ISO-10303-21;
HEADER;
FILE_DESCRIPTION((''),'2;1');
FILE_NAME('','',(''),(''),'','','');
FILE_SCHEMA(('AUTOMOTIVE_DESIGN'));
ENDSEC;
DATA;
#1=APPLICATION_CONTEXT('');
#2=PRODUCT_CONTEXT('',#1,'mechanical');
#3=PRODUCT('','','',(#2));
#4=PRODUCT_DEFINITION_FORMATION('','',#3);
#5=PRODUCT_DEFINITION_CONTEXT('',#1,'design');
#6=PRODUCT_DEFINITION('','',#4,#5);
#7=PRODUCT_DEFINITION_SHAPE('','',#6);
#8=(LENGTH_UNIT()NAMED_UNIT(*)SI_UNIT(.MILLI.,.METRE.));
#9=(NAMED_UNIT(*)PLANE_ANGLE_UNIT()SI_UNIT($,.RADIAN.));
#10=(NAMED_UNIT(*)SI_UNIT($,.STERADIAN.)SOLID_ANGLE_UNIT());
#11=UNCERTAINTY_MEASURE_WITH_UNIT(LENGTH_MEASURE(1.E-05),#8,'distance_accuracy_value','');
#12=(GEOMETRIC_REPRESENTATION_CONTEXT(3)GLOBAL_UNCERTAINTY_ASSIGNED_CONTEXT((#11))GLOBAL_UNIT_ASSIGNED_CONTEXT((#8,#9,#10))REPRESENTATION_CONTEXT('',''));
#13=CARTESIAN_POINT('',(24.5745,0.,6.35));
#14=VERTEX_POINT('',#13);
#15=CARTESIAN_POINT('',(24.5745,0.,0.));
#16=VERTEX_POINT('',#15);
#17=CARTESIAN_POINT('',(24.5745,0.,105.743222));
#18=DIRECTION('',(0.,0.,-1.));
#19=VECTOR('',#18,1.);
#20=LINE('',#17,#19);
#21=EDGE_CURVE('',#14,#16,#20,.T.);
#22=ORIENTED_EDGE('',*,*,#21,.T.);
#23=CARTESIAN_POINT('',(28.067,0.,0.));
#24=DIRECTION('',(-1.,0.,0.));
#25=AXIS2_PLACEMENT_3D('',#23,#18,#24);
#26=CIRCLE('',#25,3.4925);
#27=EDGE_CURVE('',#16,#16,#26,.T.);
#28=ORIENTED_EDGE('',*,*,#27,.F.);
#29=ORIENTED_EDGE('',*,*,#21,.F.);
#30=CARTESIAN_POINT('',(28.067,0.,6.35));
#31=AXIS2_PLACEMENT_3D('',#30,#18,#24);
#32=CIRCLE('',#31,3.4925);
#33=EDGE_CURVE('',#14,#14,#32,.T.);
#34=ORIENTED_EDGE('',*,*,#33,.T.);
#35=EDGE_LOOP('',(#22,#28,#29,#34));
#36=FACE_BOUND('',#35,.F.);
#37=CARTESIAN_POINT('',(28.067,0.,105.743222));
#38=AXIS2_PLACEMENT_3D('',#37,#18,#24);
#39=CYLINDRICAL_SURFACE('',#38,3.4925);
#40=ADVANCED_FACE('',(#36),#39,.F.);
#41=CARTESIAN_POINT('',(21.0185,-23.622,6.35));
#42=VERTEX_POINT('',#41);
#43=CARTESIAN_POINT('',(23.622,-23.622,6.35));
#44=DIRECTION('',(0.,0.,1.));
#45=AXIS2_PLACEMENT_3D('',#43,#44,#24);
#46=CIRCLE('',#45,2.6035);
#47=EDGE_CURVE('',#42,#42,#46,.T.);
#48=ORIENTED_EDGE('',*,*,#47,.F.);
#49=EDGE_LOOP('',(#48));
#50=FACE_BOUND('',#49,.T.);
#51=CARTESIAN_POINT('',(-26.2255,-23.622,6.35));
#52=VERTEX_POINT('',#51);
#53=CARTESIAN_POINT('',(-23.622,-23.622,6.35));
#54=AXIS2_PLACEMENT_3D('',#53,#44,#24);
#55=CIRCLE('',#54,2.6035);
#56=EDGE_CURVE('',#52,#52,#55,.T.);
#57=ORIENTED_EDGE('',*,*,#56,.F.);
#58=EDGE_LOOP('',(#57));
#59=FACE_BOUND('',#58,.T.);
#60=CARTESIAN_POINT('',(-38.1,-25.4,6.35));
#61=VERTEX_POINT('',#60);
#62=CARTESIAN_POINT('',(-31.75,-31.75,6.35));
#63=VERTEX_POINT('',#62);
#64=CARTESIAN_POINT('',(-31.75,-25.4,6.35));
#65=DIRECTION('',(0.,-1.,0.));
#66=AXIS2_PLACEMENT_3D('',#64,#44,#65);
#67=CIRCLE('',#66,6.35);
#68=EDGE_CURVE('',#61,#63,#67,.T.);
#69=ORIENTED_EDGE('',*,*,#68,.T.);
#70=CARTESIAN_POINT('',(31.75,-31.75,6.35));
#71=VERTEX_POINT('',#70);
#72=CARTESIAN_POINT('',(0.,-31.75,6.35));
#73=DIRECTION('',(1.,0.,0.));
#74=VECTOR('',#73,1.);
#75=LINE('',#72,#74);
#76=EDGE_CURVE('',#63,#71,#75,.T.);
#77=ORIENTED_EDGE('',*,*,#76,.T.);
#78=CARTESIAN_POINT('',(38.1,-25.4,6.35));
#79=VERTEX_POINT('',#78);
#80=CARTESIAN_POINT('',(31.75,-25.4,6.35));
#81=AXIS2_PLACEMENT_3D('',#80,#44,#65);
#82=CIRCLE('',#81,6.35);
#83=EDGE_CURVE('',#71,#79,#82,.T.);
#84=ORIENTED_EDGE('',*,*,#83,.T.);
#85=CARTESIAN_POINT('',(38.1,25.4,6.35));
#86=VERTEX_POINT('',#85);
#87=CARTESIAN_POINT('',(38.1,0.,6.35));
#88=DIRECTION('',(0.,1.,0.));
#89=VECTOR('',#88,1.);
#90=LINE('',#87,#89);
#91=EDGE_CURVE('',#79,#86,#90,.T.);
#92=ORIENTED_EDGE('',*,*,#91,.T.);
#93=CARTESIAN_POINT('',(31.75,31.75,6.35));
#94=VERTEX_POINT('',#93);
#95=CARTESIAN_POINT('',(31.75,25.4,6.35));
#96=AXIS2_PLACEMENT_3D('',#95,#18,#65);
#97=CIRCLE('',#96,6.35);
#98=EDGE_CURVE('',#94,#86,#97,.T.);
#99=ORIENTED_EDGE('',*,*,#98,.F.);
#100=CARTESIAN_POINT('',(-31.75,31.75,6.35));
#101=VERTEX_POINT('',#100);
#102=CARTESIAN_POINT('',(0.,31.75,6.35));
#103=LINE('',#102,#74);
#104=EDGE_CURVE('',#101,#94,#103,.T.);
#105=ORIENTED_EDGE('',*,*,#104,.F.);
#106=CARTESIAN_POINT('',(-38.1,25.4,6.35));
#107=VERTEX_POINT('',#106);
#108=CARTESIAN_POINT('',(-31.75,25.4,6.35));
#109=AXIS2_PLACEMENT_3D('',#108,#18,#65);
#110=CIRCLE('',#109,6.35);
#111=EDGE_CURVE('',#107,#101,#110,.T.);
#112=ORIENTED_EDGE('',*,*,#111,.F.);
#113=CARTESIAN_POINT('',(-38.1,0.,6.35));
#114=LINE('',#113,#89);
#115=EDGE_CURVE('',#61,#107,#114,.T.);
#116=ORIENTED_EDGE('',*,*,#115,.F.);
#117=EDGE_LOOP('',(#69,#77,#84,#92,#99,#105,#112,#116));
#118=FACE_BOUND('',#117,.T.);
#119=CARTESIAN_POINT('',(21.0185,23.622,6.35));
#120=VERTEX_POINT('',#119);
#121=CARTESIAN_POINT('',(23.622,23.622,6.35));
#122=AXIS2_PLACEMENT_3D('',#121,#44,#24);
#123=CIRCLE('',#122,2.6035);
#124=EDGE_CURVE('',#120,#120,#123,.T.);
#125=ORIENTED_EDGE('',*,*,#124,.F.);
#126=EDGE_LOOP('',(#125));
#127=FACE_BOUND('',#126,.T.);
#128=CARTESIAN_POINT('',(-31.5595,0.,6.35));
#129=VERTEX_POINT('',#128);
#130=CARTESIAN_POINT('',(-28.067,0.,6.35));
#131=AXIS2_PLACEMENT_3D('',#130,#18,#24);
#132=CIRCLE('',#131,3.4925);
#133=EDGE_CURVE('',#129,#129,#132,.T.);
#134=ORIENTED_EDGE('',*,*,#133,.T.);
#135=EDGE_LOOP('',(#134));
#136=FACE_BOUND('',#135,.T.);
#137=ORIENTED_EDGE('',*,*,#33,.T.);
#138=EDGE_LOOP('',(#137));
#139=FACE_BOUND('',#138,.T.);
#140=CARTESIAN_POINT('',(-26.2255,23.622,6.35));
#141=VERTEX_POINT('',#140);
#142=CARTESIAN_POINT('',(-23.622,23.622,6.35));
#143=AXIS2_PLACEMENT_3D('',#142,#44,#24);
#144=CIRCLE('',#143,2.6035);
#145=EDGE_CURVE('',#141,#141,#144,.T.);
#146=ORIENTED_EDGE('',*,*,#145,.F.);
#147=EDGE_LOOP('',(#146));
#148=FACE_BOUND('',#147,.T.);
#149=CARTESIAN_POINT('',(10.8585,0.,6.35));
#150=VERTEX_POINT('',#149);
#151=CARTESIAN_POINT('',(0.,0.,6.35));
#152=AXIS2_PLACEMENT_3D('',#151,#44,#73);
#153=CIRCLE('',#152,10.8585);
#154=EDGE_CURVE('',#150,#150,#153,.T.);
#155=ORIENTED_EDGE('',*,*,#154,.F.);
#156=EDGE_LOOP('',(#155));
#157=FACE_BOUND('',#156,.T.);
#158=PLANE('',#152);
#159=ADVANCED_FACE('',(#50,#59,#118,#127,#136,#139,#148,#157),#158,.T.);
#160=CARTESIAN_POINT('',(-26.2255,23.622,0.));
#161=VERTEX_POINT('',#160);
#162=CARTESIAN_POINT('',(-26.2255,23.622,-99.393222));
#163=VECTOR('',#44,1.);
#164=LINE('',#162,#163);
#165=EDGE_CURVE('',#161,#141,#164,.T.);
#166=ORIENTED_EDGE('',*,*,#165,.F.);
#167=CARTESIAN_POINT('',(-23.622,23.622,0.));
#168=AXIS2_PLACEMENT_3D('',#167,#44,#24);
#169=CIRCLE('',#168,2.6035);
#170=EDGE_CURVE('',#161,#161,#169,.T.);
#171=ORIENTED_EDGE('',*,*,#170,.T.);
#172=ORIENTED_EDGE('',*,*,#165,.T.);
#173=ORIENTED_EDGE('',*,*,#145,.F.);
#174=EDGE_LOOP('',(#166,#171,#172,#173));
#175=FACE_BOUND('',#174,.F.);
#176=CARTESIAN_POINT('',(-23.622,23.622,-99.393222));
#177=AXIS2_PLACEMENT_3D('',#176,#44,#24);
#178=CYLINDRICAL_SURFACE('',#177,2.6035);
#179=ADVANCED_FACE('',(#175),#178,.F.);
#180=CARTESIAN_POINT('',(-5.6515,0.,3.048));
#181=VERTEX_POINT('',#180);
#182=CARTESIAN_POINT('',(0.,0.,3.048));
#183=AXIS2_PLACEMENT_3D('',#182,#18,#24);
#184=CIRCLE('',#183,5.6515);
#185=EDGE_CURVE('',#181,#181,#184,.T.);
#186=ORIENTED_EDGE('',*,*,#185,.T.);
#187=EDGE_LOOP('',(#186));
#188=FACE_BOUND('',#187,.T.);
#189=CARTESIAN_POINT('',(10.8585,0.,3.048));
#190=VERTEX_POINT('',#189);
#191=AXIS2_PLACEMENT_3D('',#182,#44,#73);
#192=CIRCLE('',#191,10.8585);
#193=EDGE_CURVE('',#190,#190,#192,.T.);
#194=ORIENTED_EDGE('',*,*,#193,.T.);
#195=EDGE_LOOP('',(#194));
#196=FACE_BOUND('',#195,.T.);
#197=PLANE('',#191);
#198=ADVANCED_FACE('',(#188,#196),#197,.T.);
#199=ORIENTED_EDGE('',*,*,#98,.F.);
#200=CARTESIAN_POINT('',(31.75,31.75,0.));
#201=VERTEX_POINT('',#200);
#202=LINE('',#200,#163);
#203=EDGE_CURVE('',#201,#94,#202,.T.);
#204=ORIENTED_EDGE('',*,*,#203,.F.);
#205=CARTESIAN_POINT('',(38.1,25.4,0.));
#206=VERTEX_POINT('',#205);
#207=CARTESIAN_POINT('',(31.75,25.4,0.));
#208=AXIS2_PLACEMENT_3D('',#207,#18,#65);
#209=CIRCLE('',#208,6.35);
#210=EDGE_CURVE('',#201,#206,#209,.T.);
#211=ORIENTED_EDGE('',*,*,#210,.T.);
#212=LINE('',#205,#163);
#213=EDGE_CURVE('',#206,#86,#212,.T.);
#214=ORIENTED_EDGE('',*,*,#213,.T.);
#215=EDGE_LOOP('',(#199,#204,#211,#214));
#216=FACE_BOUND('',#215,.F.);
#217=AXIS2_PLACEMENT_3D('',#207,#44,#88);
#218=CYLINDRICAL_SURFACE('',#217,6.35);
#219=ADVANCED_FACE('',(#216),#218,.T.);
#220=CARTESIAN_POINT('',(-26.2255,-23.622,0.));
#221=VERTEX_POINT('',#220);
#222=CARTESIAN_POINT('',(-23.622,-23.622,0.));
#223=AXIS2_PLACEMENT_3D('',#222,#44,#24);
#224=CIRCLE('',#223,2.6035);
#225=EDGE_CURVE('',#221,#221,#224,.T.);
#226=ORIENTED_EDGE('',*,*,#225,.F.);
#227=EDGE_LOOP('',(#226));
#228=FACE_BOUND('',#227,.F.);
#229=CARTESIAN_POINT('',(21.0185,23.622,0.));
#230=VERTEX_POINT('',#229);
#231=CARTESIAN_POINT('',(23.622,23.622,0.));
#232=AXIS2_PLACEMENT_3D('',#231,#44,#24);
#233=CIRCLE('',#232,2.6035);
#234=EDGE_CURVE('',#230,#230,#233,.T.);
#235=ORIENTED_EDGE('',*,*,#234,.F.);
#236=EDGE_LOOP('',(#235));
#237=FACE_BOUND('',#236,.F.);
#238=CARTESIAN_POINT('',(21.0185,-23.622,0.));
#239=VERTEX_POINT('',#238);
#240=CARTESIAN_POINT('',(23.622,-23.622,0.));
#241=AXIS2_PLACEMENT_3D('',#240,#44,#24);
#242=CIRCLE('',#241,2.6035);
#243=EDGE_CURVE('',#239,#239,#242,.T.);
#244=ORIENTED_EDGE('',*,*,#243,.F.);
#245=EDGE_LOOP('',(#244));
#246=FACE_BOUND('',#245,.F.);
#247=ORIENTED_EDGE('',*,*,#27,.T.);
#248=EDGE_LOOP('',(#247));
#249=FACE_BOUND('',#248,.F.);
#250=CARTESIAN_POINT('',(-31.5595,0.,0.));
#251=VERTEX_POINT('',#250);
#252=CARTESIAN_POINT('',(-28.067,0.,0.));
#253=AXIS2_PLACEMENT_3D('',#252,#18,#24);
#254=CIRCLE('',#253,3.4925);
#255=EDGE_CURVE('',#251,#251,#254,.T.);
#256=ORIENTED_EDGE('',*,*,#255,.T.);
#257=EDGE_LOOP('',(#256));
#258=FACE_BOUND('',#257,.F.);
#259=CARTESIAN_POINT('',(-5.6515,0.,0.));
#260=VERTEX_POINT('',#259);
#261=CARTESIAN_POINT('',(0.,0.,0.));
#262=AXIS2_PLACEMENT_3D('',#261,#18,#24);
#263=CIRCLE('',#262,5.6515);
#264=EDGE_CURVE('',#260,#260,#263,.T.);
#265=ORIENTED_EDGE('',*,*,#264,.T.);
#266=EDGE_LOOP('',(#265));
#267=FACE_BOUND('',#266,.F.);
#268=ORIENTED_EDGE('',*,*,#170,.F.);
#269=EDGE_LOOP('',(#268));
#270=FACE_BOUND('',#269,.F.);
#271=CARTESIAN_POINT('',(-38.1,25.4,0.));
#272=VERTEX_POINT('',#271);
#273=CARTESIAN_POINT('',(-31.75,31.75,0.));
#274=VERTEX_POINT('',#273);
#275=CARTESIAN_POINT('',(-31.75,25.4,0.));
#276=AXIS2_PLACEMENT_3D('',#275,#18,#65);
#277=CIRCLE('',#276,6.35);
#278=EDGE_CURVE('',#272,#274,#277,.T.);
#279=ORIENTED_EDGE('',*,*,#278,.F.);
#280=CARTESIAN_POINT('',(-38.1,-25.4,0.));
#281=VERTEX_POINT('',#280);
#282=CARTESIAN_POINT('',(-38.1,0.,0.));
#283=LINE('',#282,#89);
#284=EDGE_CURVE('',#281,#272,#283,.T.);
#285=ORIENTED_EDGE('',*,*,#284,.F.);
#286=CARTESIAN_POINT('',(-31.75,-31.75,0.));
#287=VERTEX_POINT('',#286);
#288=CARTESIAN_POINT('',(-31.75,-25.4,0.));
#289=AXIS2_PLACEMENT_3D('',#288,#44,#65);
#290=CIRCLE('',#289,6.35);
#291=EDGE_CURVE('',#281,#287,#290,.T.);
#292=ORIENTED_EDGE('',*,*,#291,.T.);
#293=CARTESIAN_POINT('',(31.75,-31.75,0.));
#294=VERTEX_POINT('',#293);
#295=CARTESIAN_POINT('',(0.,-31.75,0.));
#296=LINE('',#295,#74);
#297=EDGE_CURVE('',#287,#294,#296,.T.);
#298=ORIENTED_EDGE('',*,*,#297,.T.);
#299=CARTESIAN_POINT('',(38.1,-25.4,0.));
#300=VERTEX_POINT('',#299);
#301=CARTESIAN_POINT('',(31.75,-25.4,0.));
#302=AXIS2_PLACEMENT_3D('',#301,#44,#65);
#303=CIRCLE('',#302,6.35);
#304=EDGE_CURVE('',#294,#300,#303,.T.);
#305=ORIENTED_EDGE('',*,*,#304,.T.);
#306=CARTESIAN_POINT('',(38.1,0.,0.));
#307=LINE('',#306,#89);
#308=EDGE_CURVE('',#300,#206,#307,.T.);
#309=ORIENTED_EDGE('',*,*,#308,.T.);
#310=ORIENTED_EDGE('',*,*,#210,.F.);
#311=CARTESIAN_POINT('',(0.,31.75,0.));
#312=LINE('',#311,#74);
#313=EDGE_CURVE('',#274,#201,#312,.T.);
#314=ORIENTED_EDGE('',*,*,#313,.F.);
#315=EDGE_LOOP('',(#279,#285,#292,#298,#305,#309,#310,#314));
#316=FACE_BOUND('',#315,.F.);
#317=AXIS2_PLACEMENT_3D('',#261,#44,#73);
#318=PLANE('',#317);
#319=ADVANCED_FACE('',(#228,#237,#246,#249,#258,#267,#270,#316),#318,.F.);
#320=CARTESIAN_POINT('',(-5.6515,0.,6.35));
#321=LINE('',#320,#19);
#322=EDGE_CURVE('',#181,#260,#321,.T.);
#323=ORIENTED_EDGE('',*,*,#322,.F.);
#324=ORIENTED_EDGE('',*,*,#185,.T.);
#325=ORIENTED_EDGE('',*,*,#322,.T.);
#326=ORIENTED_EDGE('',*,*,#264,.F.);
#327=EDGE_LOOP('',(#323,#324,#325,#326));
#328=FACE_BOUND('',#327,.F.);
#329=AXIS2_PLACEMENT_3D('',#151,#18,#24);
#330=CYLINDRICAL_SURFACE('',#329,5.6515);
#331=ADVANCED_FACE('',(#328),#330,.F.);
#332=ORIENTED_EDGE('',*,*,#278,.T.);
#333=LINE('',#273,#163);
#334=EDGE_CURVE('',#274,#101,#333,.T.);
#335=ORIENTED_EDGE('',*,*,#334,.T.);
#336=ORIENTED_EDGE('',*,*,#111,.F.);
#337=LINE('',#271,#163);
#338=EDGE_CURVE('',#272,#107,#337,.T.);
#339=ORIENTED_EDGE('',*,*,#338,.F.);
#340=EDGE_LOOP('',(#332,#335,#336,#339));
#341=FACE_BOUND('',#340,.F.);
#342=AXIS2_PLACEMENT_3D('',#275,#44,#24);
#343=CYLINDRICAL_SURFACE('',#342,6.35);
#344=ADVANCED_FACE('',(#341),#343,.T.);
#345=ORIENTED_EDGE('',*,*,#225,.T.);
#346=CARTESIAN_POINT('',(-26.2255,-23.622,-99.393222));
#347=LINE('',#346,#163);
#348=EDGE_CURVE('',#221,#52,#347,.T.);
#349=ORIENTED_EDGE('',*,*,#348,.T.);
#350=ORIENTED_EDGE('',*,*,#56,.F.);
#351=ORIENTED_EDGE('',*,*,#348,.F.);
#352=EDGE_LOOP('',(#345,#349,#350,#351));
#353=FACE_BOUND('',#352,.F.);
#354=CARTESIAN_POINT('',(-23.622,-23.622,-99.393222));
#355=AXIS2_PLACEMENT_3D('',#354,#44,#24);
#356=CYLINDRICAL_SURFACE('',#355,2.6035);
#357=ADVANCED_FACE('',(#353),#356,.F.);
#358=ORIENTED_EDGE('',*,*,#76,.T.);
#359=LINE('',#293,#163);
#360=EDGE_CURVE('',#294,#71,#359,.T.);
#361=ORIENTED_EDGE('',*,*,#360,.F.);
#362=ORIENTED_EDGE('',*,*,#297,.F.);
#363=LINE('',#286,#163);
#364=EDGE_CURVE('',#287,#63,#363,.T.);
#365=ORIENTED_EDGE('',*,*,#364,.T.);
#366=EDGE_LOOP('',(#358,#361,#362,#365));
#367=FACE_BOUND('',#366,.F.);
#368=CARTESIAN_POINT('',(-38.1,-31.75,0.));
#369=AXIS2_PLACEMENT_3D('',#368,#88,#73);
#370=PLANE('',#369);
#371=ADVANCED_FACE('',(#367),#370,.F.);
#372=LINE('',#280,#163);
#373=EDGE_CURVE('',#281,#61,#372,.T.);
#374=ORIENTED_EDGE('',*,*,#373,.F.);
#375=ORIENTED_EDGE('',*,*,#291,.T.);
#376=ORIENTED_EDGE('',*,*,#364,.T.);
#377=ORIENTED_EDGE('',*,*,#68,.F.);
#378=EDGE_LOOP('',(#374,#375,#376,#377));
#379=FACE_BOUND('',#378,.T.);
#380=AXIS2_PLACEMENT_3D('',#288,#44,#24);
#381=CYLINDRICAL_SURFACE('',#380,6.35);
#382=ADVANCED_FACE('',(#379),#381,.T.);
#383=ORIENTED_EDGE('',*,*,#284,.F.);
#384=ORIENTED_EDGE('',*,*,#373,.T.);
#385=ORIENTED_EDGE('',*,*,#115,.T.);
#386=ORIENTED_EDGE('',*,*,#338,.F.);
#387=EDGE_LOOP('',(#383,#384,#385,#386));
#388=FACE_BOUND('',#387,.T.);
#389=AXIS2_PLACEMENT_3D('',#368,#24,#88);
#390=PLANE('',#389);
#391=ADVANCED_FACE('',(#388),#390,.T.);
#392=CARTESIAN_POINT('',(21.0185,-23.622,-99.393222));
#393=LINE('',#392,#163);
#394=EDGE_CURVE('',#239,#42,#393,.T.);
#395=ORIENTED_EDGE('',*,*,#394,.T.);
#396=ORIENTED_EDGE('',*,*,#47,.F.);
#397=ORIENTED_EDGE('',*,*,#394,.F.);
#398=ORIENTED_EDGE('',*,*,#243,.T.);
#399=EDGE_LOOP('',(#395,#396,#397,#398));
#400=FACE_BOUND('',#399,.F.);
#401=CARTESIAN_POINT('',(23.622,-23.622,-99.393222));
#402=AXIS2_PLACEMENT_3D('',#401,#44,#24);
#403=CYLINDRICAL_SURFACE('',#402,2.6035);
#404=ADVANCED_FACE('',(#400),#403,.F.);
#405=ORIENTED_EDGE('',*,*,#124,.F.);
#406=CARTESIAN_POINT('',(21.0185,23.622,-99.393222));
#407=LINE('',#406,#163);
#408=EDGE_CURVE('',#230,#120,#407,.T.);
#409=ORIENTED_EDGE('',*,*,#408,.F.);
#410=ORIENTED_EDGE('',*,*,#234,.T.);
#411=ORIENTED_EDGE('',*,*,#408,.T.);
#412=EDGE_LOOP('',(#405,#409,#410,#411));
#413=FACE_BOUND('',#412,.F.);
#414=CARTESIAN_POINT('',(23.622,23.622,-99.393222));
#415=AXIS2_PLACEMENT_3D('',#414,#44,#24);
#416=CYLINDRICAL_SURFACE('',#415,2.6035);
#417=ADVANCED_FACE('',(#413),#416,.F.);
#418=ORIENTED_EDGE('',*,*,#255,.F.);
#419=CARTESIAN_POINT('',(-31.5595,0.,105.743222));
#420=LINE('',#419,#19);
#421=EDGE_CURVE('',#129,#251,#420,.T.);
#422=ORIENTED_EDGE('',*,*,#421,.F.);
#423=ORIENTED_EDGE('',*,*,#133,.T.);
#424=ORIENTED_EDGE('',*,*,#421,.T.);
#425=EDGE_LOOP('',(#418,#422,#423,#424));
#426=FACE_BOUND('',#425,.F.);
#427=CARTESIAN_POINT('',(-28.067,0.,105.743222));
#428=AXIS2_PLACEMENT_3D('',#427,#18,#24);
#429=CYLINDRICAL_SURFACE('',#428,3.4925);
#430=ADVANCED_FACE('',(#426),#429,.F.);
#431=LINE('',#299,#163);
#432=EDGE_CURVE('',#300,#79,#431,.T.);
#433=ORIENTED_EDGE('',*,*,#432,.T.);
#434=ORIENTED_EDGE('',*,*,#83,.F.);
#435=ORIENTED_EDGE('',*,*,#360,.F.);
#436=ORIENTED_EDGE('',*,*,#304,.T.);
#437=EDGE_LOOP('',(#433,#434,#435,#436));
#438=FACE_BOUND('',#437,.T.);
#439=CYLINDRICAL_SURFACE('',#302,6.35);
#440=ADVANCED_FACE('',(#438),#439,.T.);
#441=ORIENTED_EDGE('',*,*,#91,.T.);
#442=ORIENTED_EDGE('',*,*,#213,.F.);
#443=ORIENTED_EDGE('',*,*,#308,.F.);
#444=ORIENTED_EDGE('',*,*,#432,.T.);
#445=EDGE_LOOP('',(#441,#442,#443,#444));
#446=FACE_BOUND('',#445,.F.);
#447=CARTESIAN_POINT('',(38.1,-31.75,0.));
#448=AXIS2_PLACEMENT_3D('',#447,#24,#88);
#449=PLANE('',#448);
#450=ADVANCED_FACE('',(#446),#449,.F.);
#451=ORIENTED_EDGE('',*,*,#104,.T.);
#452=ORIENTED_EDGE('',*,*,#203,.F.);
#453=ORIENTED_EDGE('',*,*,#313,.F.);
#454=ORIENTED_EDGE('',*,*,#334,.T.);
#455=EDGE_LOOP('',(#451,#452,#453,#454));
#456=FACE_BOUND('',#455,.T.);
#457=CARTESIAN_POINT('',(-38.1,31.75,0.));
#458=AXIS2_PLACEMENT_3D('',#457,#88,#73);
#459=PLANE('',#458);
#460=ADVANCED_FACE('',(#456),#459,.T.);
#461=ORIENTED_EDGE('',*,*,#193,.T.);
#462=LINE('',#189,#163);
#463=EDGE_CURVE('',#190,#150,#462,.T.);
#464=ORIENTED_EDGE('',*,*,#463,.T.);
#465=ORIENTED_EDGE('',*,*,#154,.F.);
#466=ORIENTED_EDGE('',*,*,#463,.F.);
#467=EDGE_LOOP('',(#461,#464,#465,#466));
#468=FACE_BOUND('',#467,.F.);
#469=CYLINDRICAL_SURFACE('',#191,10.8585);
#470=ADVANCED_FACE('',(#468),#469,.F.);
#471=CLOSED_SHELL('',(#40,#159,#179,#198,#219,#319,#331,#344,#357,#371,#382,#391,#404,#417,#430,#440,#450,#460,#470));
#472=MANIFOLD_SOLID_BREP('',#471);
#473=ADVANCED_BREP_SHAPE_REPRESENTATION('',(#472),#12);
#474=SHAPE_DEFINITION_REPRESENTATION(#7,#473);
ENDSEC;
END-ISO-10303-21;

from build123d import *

# Parameters (mm, degrees)
F1_W           = 76.2
F1_H           = 63.5
F2_DEPTH       = 6.35
F4_D           = 11.303
F4_CBORE_D     = 21.717
F4_CBORE_DEPTH = 3.302
F6_D           = 6.985
F7_D           = 6.985
F8_D           = 5.207
F9_D           = 5.207
F10_D          = 5.207
F11_R          = 6.35


with BuildPart() as f2:
    # F1 (on Top) → F2 (new body)
    with BuildSketch(Plane.XY):
        Rectangle(F1_W, F1_H)
    extrude(amount=F2_DEPTH)

    # F4 (through all)
    with Locations(Plane.XY.offset(6.35)):
        with Locations((0, 0)):
            CounterBoreHole(F4_D / 2, F4_CBORE_D / 2, F4_CBORE_DEPTH)

    # F6 (through all)
    with Locations(Plane.XY.offset(6.35)):
        with Locations((-28.067, 0)):
            Hole(F6_D / 2)

    # F7 (through all)
    with Locations(Plane.XY.offset(6.35)):
        with Locations((28.067, 0)):
            Hole(F7_D / 2)

    # F8 (through all)
    with Locations(Plane(origin=(0, 0, 0), x_dir=(1, 0, 0), z_dir=(0, 0, -1))):
        with Locations((-23.622, 23.622)):
            Hole(F8_D / 2)

    # F9 (through all)
    with Locations(Plane(origin=(0, 0, 0), x_dir=(1, 0, 0), z_dir=(0, 0, -1))):
        with Locations((23.622, 23.622), (-23.622, -23.622)):
            Hole(F9_D / 2)

    # F10 (through all)
    with Locations(Plane(origin=(0, 0, 0), x_dir=(1, 0, 0), z_dir=(0, 0, -1))):
        with Locations((23.622, -23.622)):
            Hole(F10_D / 2)

    # F11
    f11_edges = [f2.edges().sort_by_distance(p)[0] for p in [
        (-38.1, -31.75, 3.175),
        (38.1, -31.75, 3.175),
        (38.1, 31.75, 3.175),
        (-38.1, 31.75, 3.175),
    ]]
    fillet(f11_edges, radius=F11_R)


solid = f2.part
